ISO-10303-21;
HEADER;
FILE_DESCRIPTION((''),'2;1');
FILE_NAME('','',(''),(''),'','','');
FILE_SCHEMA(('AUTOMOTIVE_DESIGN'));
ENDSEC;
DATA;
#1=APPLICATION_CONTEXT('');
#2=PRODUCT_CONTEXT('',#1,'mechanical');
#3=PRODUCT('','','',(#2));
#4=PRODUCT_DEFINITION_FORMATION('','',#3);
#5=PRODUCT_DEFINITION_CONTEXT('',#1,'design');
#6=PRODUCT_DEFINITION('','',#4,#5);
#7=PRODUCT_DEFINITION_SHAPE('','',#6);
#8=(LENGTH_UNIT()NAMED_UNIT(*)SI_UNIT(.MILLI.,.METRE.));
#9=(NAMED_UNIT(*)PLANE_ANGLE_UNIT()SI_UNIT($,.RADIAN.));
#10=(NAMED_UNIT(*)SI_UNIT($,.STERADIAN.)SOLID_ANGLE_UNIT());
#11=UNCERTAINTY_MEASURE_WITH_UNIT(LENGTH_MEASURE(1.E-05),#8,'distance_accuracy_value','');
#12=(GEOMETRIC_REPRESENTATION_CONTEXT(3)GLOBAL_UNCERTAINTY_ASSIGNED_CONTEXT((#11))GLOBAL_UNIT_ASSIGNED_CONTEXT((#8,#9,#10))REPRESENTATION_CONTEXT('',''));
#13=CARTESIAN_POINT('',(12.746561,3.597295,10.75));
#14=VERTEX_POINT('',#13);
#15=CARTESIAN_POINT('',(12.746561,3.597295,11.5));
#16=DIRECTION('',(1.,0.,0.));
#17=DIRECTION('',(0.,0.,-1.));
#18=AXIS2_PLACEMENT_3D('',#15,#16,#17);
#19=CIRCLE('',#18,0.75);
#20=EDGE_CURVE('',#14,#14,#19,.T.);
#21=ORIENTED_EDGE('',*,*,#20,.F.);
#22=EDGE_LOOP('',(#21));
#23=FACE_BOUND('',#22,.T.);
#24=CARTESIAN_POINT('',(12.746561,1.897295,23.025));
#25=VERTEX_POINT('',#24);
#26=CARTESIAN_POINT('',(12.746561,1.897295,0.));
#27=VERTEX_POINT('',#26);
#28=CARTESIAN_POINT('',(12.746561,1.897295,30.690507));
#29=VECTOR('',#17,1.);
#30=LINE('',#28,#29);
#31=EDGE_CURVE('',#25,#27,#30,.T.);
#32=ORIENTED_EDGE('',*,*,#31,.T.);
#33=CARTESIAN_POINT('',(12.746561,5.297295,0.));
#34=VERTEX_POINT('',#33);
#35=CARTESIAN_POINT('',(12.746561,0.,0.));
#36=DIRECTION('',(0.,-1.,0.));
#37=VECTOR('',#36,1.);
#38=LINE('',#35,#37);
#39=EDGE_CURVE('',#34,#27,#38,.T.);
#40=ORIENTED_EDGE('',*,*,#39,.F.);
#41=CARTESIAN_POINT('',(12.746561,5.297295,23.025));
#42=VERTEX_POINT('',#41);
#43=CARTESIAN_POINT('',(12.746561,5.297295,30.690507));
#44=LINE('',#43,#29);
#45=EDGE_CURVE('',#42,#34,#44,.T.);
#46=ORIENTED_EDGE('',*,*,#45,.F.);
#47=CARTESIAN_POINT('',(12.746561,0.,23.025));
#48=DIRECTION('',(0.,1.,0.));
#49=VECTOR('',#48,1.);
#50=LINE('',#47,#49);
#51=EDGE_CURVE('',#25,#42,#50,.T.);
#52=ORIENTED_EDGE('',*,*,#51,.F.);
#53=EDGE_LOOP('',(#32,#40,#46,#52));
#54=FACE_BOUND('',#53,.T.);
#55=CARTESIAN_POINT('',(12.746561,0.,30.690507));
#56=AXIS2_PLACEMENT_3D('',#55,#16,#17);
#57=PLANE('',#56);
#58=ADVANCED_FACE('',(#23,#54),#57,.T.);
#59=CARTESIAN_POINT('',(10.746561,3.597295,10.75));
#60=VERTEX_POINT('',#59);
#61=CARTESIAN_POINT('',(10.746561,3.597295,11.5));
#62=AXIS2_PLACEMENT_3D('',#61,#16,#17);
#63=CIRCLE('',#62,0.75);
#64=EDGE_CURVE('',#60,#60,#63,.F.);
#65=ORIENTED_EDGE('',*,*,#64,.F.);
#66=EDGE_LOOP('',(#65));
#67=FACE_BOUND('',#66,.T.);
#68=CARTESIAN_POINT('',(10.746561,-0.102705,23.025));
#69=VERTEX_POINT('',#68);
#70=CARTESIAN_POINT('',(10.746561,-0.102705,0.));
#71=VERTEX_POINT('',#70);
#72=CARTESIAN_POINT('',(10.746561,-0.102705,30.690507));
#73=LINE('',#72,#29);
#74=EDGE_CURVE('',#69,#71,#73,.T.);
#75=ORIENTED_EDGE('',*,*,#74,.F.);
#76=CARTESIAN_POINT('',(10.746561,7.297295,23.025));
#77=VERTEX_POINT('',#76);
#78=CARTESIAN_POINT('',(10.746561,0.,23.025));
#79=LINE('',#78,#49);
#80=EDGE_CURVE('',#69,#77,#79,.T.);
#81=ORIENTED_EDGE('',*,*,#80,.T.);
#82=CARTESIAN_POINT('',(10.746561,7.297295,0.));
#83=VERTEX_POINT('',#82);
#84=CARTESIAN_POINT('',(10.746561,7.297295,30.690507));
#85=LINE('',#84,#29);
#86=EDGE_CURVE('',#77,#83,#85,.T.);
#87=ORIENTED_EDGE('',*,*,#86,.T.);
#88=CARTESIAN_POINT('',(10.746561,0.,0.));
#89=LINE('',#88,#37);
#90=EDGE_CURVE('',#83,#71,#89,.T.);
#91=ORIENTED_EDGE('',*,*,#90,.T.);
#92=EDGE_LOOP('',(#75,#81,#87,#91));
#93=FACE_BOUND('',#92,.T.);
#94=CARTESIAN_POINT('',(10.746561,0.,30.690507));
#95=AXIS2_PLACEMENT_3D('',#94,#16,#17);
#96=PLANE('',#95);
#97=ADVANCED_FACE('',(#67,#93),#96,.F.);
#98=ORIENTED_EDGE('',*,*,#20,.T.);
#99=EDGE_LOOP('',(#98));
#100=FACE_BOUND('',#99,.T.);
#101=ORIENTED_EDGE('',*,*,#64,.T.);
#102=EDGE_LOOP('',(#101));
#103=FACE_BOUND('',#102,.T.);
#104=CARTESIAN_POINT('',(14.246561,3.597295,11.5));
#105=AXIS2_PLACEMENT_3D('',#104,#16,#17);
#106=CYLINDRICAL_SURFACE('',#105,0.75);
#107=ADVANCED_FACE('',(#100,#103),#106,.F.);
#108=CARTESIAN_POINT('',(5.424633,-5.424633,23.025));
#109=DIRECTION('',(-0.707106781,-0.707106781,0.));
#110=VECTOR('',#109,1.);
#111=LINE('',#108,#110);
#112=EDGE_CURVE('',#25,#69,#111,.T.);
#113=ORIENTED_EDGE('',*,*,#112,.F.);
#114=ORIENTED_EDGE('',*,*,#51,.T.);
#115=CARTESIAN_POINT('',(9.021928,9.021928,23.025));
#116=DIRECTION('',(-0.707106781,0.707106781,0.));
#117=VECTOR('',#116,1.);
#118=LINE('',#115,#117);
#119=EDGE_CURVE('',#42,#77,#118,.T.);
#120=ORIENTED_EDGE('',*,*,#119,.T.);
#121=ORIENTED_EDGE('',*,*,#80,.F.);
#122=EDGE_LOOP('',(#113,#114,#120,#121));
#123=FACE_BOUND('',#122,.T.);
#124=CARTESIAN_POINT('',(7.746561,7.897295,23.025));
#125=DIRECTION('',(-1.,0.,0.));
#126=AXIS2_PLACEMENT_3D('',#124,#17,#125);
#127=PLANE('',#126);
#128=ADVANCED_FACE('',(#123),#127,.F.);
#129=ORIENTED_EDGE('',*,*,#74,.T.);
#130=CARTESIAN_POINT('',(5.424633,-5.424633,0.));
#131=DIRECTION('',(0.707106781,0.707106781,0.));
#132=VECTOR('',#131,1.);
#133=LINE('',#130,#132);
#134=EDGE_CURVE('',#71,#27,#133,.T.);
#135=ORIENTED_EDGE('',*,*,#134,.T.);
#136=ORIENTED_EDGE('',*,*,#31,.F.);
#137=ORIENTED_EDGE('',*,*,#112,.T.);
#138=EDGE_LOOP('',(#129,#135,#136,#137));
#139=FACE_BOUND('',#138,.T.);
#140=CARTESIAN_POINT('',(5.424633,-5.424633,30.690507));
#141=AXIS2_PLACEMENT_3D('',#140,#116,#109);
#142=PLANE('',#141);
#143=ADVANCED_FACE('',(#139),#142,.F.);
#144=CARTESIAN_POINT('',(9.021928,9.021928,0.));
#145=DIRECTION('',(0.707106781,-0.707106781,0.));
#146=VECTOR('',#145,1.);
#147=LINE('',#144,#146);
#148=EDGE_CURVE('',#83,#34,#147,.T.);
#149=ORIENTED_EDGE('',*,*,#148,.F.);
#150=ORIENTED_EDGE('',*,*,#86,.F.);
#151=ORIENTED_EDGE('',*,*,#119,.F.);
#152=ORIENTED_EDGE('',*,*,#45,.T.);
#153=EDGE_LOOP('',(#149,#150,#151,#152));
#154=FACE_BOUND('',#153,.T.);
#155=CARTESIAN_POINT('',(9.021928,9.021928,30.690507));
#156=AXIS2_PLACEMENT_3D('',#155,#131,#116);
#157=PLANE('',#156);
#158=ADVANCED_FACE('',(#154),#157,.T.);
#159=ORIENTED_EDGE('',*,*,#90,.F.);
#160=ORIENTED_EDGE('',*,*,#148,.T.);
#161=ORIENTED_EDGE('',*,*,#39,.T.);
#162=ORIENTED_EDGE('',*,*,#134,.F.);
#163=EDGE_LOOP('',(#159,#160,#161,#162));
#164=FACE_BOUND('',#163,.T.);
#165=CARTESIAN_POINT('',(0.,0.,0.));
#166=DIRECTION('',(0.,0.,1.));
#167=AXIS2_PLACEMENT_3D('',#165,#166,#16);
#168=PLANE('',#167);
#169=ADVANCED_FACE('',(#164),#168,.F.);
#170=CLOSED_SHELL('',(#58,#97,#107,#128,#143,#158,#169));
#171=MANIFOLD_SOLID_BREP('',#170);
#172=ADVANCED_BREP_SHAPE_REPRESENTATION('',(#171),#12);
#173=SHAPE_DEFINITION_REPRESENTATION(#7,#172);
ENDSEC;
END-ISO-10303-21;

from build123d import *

# Parameters (mm, degrees)
BOSS_EXTRUDE1_DEPTH  = 23.025
F_1_5MM_DOWEL_HOLE_D = 1.5


with BuildPart() as part:
    # Sketch1 → Boss-Extrude1 (new body)
    with BuildSketch(Plane.XY):
        Polygon((10.746560597, -0.102705017), (12.746560597, 1.897294983), (12.746560597, 5.297294983), (10.746560597, 7.297294983), align=None)
    extrude(amount=BOSS_EXTRUDE1_DEPTH)

    # Ø1.5mm Dowel Hole (through all)
    with Locations(Plane(origin=(14.246560597, -88.102705017, 36.5), x_dir=(0, 0, -1), z_dir=(1, 0, 0))):
        with Locations((0, 91.7), (-25, 91.7), (25, 91.7)):
            Hole(F_1_5MM_DOWEL_HOLE_D / 2)


solid = part.part
